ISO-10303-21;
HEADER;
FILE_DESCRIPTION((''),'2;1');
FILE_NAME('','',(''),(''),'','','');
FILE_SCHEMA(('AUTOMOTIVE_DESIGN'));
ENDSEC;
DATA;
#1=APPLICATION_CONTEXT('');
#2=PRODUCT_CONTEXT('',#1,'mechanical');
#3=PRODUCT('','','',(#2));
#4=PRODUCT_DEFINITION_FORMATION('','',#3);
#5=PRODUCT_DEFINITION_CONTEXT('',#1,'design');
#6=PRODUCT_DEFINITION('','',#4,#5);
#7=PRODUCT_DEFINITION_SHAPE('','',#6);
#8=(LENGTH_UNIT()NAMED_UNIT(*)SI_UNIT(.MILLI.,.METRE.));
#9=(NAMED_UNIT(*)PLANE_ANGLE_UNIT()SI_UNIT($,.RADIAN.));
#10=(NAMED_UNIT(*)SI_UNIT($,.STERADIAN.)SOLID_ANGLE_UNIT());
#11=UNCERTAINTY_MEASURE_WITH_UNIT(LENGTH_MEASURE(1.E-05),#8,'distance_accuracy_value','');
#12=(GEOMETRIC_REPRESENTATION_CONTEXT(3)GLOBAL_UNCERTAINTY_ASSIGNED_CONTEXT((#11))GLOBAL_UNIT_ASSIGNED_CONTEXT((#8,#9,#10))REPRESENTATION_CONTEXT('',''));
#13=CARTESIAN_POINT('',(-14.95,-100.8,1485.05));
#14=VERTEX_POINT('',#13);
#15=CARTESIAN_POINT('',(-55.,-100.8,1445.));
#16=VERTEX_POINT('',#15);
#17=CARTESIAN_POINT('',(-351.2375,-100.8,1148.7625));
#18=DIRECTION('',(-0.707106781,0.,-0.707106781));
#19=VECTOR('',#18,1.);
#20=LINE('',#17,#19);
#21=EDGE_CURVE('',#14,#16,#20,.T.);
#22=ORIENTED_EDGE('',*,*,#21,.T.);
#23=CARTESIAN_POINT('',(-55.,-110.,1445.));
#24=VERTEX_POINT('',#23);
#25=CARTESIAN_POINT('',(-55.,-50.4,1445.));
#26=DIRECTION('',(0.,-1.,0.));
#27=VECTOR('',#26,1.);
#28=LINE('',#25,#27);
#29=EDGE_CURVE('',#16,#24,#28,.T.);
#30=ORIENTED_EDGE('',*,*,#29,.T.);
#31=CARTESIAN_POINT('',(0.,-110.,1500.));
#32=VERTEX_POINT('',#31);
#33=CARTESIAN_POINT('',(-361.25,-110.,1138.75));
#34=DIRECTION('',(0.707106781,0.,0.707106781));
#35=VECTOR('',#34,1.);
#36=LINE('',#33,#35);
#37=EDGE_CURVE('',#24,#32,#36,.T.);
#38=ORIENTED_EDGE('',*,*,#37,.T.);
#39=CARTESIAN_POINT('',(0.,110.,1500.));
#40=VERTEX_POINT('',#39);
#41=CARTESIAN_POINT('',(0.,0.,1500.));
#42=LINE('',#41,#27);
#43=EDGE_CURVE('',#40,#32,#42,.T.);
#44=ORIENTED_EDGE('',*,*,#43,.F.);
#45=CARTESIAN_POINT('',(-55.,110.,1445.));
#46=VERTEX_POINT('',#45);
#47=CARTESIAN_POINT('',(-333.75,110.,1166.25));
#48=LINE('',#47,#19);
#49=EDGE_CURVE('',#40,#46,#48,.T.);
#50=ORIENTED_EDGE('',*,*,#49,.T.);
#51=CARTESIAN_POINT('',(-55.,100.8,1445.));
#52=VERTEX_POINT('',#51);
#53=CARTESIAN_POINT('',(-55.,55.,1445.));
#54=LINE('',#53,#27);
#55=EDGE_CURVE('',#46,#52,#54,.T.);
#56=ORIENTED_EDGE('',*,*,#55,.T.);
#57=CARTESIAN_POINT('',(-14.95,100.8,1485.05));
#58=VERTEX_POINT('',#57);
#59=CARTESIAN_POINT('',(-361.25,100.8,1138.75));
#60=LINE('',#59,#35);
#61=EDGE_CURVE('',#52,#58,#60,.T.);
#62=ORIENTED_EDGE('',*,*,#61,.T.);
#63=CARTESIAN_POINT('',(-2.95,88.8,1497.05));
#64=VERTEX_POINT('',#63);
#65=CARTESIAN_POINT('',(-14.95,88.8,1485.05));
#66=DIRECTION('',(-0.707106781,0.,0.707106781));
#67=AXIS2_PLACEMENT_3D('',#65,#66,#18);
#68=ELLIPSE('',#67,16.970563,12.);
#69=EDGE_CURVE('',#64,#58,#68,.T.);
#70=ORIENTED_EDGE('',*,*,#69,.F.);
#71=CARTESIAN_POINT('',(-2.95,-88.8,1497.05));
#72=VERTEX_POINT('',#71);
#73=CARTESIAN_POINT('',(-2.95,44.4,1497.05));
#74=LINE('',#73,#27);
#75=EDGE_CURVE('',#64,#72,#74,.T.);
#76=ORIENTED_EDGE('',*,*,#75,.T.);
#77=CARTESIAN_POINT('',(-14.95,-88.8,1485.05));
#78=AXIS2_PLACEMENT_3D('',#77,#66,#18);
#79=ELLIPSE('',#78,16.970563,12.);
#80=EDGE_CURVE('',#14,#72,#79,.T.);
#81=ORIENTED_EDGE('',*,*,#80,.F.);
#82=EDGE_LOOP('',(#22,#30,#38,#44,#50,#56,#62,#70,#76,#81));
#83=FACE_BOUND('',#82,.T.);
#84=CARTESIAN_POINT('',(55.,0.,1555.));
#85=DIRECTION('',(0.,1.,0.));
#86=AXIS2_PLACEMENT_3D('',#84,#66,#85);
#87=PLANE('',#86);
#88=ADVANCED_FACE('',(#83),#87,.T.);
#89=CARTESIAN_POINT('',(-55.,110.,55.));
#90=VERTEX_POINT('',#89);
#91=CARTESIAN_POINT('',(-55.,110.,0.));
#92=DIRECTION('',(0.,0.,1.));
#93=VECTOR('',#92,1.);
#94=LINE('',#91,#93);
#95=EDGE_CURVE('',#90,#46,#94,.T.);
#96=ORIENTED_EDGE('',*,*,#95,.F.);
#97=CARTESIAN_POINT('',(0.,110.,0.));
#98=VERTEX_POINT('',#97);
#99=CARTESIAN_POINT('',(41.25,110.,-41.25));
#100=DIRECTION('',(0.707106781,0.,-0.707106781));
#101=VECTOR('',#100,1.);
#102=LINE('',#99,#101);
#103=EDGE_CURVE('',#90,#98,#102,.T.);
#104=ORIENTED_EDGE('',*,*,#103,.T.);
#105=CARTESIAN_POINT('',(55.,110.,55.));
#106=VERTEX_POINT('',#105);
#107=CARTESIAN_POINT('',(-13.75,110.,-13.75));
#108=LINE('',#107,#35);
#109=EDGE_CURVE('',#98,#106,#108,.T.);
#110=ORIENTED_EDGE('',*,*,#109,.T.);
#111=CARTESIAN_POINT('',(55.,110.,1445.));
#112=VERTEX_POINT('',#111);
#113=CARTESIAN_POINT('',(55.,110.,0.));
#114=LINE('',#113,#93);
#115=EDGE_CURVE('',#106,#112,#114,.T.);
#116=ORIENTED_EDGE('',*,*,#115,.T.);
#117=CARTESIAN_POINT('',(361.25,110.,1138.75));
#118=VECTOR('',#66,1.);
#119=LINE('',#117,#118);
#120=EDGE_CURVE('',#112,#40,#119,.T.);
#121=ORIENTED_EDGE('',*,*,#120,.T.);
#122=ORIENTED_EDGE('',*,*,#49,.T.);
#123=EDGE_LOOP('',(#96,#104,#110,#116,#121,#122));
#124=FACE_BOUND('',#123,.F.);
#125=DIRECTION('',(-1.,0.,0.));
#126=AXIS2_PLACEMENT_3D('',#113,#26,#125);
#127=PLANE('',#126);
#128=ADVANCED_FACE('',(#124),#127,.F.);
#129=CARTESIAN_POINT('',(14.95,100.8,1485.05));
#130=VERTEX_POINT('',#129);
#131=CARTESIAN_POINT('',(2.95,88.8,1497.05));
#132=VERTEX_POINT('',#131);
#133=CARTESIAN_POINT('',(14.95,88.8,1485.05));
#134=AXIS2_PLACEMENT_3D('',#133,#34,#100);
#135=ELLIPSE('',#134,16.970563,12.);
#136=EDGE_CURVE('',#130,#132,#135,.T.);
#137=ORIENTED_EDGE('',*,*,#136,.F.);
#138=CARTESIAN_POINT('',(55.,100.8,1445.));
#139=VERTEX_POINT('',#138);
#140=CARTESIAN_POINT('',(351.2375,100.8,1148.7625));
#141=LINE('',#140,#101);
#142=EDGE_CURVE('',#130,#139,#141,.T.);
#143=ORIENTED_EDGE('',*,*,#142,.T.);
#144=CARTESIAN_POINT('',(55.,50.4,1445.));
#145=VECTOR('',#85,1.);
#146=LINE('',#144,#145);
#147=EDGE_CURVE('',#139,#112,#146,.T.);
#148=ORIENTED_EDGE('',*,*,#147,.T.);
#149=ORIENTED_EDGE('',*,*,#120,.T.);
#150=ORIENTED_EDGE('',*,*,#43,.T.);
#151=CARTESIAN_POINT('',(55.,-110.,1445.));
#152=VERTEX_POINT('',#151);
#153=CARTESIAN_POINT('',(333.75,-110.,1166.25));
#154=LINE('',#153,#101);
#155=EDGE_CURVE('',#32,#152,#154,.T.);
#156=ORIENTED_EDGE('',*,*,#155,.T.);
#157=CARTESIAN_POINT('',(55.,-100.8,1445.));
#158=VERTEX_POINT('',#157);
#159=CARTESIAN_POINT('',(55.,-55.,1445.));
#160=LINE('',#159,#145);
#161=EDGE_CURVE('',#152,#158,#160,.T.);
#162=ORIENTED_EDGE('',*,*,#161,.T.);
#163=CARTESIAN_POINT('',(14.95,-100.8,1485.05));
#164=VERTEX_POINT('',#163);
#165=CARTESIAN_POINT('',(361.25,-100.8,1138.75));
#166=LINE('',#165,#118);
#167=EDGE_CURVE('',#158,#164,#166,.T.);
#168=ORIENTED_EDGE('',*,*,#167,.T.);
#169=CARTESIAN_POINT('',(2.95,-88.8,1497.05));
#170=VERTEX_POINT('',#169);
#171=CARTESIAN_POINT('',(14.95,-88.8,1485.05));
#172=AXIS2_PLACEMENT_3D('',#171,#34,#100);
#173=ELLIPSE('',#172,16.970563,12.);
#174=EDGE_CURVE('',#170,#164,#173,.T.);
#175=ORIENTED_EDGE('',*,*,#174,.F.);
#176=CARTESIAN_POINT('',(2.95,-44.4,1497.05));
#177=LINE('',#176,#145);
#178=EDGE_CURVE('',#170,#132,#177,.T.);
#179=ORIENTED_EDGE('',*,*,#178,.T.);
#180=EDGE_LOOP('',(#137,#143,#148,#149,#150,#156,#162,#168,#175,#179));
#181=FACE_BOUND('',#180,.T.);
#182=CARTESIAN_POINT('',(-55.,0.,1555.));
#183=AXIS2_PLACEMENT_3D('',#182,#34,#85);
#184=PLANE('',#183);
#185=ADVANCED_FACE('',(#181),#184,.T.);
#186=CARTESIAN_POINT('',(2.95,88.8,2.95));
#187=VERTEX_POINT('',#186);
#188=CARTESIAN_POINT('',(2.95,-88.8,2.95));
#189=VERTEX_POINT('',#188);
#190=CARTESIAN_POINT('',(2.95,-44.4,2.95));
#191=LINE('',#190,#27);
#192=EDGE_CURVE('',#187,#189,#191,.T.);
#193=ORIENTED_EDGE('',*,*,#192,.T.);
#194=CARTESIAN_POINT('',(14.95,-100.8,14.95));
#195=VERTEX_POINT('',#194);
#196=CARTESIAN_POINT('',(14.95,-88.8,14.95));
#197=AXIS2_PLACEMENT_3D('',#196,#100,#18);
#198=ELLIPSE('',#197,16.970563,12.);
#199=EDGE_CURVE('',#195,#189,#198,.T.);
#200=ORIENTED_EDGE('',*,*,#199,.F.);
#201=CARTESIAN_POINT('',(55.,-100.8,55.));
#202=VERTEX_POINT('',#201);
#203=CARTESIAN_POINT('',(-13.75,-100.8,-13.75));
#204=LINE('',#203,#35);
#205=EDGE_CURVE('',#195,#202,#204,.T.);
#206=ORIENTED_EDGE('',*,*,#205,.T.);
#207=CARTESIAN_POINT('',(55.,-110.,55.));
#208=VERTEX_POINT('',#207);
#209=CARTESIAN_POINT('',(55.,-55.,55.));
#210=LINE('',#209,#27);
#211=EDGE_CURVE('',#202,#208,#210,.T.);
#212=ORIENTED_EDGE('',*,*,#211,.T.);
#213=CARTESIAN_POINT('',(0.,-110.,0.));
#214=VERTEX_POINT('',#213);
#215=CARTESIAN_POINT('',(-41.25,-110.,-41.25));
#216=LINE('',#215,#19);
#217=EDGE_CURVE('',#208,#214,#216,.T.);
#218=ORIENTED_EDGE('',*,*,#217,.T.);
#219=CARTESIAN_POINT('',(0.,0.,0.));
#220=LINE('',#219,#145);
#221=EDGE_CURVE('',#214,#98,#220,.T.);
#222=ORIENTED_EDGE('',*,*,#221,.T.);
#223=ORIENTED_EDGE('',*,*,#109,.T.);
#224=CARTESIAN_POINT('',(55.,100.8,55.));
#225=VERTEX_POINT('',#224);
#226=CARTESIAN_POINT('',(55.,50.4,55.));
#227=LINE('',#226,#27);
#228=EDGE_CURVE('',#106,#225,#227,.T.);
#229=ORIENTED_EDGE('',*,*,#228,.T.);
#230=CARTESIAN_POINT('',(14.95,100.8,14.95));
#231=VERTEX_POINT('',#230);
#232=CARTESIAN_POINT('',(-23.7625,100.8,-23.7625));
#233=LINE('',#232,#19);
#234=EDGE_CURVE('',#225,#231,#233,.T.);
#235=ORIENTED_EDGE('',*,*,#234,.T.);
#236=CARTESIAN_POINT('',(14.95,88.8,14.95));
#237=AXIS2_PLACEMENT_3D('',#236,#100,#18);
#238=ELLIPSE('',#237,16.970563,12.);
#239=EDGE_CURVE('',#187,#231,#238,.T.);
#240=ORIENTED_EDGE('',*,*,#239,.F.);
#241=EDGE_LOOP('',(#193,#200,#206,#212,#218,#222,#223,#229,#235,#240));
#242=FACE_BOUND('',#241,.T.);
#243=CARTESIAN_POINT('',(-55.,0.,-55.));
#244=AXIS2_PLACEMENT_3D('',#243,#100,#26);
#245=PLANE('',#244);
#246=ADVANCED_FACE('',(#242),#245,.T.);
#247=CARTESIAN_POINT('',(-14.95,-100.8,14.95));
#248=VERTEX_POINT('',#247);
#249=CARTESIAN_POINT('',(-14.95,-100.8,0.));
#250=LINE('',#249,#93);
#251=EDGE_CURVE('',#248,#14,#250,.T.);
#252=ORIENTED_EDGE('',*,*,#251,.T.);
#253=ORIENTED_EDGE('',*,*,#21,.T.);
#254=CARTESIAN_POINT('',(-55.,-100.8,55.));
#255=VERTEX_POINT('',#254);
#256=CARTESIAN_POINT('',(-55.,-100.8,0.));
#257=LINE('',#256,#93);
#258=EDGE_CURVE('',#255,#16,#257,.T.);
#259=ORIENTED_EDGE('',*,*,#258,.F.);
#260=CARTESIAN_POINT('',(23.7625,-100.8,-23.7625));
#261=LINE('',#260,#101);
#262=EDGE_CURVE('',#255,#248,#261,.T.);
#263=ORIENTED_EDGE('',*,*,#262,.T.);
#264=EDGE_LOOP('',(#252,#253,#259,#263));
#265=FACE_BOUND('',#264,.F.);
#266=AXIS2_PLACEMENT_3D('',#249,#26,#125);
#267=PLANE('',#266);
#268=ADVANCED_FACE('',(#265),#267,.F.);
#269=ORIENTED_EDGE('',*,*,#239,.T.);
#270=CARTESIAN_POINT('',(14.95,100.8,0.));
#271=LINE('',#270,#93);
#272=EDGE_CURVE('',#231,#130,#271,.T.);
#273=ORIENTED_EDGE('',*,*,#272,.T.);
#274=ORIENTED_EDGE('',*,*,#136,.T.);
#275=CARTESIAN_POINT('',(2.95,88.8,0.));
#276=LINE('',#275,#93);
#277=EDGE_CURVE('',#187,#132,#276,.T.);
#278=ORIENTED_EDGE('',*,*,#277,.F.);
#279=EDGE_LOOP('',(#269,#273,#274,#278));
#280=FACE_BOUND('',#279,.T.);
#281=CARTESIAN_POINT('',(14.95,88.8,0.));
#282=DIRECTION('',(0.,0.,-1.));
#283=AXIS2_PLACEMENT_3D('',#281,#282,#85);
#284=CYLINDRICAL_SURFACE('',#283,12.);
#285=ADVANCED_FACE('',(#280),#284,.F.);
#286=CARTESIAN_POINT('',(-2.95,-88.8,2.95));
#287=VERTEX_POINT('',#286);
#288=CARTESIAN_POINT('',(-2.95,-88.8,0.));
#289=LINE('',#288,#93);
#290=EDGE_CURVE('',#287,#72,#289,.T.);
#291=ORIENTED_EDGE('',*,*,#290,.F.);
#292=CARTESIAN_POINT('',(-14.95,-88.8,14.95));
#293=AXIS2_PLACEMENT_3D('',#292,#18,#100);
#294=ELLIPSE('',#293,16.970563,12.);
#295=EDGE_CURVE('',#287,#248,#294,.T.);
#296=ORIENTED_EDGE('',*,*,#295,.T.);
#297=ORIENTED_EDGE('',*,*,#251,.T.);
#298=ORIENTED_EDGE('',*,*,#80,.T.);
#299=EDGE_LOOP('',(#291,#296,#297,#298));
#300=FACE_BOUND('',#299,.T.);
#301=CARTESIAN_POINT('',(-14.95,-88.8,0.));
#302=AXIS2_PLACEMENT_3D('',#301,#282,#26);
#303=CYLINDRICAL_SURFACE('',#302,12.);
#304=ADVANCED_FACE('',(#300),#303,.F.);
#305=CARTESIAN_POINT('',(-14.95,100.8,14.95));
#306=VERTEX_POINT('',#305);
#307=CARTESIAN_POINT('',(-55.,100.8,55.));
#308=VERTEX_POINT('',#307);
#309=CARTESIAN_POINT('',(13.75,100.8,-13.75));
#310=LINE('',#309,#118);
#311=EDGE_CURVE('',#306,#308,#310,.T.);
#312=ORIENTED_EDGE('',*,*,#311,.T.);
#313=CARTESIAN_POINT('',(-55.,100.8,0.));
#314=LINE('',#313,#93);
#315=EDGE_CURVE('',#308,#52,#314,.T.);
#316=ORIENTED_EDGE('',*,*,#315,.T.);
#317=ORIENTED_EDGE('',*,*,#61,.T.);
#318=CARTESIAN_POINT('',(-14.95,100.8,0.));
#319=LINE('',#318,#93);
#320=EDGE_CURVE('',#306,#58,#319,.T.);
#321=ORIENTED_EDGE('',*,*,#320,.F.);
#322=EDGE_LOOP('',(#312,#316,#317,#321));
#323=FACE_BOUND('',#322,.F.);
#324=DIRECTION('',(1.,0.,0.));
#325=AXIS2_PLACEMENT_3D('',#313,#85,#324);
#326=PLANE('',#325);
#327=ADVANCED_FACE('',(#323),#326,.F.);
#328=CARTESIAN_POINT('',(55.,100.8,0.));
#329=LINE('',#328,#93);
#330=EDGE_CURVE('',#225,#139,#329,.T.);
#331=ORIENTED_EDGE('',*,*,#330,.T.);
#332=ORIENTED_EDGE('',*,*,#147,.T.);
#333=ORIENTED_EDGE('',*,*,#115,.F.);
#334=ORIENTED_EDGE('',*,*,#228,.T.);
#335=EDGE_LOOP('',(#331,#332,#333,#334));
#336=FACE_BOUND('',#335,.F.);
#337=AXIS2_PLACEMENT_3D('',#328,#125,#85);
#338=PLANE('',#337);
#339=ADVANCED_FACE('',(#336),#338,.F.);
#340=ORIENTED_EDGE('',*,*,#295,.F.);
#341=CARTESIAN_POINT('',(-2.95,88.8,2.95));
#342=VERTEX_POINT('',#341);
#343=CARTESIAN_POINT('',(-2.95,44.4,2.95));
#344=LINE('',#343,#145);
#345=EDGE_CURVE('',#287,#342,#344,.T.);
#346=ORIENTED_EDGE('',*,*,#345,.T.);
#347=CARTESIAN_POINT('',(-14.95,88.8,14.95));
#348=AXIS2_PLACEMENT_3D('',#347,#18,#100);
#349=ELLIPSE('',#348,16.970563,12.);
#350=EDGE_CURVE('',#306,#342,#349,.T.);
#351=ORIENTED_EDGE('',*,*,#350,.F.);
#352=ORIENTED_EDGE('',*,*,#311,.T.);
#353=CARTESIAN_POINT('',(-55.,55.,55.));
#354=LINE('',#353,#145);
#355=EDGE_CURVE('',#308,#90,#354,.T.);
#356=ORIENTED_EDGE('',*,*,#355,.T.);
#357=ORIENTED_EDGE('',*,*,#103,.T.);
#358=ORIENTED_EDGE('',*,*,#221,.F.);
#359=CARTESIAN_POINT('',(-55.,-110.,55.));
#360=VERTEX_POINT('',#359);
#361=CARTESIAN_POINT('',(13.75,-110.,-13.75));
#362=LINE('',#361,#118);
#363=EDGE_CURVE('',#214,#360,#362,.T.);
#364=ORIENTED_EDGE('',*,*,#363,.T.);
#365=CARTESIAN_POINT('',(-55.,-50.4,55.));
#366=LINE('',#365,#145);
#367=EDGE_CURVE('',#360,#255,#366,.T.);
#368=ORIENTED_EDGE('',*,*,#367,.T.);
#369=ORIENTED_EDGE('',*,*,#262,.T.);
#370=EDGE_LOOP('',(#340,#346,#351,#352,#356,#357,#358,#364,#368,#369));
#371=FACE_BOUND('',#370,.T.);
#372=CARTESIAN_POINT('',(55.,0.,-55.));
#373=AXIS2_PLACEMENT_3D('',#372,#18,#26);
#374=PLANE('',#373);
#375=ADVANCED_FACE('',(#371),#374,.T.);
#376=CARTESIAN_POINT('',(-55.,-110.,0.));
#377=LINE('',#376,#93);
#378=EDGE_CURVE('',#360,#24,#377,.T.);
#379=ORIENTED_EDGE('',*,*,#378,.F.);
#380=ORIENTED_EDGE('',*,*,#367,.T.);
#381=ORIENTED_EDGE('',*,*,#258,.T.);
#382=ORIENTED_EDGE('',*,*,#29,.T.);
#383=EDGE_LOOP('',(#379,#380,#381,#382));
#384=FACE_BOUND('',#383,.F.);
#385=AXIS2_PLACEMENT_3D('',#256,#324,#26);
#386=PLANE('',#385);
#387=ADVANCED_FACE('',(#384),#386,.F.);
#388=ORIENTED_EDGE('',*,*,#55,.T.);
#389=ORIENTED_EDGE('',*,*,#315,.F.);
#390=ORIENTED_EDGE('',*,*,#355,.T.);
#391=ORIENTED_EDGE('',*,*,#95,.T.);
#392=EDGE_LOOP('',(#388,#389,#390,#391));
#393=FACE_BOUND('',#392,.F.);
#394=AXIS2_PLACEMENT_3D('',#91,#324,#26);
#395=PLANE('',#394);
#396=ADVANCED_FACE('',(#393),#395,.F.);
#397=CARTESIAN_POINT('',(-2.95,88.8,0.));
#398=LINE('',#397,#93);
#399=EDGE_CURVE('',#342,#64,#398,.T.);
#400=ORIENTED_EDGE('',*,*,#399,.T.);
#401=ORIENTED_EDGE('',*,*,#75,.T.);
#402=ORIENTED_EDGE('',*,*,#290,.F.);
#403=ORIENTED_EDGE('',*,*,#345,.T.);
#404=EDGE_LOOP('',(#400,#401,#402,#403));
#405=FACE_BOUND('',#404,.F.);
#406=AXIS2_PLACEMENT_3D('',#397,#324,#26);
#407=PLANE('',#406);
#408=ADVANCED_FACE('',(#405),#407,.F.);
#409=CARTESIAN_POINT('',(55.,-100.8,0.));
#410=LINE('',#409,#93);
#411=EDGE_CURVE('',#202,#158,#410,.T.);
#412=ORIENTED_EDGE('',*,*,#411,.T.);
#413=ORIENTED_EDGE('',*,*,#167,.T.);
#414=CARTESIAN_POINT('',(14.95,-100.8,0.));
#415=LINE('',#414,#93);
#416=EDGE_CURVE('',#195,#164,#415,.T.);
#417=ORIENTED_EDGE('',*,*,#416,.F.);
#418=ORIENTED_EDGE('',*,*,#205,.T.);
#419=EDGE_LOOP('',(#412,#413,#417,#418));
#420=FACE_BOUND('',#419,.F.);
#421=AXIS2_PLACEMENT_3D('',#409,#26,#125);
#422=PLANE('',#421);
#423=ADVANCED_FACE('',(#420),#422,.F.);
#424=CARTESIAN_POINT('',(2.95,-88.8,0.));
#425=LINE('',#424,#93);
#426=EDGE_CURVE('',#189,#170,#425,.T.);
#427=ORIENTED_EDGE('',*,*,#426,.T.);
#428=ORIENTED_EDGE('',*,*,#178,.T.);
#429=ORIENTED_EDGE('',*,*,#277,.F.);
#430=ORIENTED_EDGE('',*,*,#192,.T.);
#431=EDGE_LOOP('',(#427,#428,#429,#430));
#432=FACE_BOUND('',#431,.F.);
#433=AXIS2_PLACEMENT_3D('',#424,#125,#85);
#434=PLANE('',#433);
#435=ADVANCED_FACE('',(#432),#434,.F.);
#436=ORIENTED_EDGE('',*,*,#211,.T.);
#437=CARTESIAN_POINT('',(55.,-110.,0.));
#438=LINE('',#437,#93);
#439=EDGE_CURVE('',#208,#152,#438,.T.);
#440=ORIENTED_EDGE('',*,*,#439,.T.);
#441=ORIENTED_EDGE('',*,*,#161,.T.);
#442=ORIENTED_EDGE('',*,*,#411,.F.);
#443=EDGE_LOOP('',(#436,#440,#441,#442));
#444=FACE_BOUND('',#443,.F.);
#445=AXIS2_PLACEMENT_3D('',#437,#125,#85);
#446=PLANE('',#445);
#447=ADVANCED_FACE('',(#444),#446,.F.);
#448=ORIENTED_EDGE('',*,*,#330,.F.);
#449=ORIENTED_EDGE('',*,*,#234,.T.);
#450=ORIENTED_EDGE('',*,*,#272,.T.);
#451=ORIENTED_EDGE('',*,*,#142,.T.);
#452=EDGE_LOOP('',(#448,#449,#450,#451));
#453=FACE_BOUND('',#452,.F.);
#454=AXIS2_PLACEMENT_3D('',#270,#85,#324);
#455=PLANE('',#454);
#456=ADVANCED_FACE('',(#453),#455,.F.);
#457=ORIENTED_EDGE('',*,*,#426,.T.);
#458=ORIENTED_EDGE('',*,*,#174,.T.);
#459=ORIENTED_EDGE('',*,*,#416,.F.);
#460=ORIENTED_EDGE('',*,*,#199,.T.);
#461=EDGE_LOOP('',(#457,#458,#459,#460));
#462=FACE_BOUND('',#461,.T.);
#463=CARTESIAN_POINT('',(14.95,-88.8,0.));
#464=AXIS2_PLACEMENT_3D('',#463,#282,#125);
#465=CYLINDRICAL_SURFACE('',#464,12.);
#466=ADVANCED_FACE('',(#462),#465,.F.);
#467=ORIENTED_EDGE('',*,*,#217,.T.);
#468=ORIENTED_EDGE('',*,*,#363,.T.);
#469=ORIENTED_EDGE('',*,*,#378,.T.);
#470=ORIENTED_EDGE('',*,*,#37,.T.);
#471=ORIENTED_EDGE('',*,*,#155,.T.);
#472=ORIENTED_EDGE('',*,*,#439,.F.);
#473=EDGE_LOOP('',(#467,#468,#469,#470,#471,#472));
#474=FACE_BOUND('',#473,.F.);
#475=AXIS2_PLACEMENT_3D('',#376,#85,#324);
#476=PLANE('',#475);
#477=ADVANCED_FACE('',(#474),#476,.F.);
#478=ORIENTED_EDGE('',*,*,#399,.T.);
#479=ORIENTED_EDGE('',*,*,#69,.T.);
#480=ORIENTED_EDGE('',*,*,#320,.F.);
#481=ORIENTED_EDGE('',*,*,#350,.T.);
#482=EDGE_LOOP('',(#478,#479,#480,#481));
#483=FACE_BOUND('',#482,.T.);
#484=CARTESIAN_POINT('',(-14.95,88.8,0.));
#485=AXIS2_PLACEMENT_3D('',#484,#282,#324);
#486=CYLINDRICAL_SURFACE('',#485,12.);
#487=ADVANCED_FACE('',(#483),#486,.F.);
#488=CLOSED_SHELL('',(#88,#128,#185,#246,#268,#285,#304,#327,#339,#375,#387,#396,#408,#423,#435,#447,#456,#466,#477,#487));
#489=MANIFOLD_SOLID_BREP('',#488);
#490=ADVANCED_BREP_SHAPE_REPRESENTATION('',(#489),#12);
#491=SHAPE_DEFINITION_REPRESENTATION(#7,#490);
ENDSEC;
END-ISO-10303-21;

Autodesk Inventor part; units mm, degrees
ref_plane "Start plane" through (0, 0, 0) normal (0, 0, 1) x (1, 0, 0)
ref_plane "End plane" through (0, 0, 1500) normal (0, 0, 1) x (1, 0, 0)
sketch "Sketch2" plane through (0, 0, 0) normal (0, 0, 1) x (1, 0, 0)
  line L0 (-55, 100.8) -> (-14.95, 100.8)
  line L1 (-55, 110) -> (-55, 100.8)
  line L2 (55, 110) -> (-55, 110)
  line L3 (55, 100.8) -> (55, 110)
  line L4 (14.95, 100.8) -> (55, 100.8)
  line L5 (2.95, -88.8) -> (2.95, 88.8)
  line L6 (55, -100.8) -> (14.95, -100.8)
  line L7 (55, -110) -> (55, -100.8)
  line L8 (-55, -100.8) -> (-55, -110)
  line L9 (-14.95, -100.8) -> (-55, -100.8)
  line L10 (-2.95, 88.8) -> (-2.95, -88.8)
  line L11 (0, -154) -> (0, 154) construction
  line L12 (-2.95, -100.8) -> (2.95, -100.8) construction
  arc A0 (-14.95, -100.8) -> (-2.95, -88.8) centre (-14.95, -88.8) ccw
  arc A1 (-2.95, 88.8) -> (-14.95, 100.8) centre (-14.95, 88.8) ccw
  arc A2 (14.95, 100.8) -> (2.95, 88.8) centre (14.95, 88.8) ccw
  arc A3 (2.95, -88.8) -> (14.95, -100.8) centre (14.95, -88.8) ccw
  line L13 (-77, 0) -> (77, 0) construction
  line L14 (-55, -110) -> (55, -110)
  point P0 (-2.95, 100.8)
  point P1 (2.95, 100.8)
  point P2 (0, 0)
  point P3 (0, -100.8)
  point P4 (0, 0)
  dimension "d1" = 220
  dimension "d3" = 9.2
  dimension "d5" = 5.9
  dimension "d7" = 110
  dimension "d13" = 12
  dimension "d14" = 110
  dimension "d15" = 55
extrude "Body" add sketch "Sketch2" along normal up to surface (1500 mm away) from surface at 0
sketch "Sketch3" plane through (0, 0, 0) normal (0, 0, 1) x (1, 0, 0)
  line L0 (0, 0) -> (10, 0)
ref_plane "Work Plane3" through (0, 0, 0) normal (0, -1, 0) x (1, 0, 0)
ref_plane "Work Plane4" through (-55, 0, -55) normal (0.7071, 0, -0.7071) x (-0.7071, 0, -0.7071)
split "Split1" plane through (-55, 0, -55) removes the side toward (0.7071, 0, -0.7071)
ref_plane "Work Plane5" through (55, 0, -55) normal (-0.7071, 0, -0.7071) x (-0.7071, 0, 0.7071)
split "Split2" plane through (55, 0, -55) removes the side toward (-0.7071, 0, -0.7071)
ref_plane "Work Plane6" through (55, 0, 1555) normal (-0.7071, 0, 0.7071) x (0.7071, 0, 0.7071)
split "Split3" plane through (55, 0, 1555) removes the side toward (-0.7071, 0, 0.7071)
ref_plane "Work Plane7" through (-55, 0, 1555) normal (0.7071, 0, 0.7071) x (0.7071, 0, -0.7071)
split "Split4" plane through (-55, 0, 1555) removes the side toward (0.7071, 0, 0.7071)
sketch "Sketch4" plane through (0, 0, 0) normal (0, -1, 0) x (1, 0, 0)
  line L0 (-2, 0) -> (12, 0) projected
  line L1 (-2, 1500) -> (12, 1500) projected
  dimension "d19" = 1500
equation "\"d1\" = ParH"
equation "\"d3\" = t2"
equation "\"d5\" = t1"
equation "\"d7\" = b"
equation "\"d13\" = R1"
equation "\"d14\" = 0.5 * d1"
equation "\"d15\" = 0.5 * d7"
equation "\"d8\" = G_L"
equation "\"b\" = 110"
equation "\"ParH\" = 220"
equation "\"R1\" = 12"
equation "\"G_L\" = d19"
equation "\"t1\" = 5.9"
equation "\"t2\" = 9.2"
equation "\"G_OFFSET_START\" = 0"
equation "\"G_OFFSET_END\" = 0"
properties part number "DIN 1025 - IPE 220-1500" material "Steel, Mild"
